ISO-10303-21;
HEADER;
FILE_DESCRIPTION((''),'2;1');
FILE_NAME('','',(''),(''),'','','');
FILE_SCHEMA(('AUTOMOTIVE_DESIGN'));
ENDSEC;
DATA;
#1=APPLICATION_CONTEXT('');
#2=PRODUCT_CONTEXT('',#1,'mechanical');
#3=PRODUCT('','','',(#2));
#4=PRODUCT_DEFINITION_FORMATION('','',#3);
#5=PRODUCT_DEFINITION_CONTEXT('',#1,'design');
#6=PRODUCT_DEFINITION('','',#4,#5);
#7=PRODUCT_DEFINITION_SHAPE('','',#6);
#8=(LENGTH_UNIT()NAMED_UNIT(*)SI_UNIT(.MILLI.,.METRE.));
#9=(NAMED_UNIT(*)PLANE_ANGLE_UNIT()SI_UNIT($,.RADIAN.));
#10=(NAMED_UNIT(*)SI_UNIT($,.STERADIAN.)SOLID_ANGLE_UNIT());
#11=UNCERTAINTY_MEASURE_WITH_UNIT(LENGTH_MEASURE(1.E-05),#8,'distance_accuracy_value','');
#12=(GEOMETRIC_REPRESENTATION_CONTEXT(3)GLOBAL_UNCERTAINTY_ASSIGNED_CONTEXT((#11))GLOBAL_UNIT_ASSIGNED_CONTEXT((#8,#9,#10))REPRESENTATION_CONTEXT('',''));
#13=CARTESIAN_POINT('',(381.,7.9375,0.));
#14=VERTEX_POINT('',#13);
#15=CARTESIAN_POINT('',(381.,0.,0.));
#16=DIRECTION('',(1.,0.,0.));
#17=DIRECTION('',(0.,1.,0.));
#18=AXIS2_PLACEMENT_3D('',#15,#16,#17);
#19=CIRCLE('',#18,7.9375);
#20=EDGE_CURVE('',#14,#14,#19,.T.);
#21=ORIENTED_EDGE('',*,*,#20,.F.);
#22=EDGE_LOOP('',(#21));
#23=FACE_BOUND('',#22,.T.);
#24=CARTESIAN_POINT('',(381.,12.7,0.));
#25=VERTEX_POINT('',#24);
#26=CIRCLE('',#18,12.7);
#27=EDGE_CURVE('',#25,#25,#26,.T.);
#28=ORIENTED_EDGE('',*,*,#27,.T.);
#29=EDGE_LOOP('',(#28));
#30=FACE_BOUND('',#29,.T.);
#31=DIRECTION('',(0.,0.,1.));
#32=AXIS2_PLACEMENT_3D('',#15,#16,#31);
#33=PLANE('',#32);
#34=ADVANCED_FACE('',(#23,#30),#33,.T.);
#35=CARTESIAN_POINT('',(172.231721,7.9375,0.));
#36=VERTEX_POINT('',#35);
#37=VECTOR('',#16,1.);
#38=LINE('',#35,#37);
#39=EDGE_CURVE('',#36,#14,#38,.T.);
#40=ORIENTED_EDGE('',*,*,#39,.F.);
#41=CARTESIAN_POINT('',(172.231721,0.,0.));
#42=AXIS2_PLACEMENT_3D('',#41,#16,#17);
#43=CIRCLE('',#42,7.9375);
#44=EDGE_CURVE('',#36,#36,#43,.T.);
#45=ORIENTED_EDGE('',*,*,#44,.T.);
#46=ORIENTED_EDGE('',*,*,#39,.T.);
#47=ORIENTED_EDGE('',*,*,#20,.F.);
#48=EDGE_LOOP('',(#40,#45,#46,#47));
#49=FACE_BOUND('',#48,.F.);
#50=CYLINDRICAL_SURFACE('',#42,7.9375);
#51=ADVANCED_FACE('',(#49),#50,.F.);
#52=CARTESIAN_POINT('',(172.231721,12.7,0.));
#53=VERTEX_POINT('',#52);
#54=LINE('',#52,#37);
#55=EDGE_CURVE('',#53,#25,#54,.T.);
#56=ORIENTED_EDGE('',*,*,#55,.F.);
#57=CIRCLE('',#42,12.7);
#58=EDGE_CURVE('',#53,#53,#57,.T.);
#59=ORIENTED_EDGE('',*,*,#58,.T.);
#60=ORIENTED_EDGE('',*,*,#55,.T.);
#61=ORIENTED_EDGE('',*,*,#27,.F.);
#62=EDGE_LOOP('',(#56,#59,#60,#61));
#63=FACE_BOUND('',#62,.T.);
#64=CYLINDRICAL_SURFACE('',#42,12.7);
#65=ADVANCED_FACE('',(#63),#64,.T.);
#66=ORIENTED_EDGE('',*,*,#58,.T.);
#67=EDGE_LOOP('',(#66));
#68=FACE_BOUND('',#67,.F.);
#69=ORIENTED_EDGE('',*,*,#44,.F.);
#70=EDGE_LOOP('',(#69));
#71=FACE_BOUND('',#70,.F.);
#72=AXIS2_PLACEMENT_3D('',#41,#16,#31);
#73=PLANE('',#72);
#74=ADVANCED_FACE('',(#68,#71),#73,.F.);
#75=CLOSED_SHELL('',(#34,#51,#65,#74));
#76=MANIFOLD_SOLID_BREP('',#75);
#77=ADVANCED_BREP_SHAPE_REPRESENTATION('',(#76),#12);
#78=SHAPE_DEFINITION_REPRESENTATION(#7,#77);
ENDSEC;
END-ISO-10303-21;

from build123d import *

# Parameters (mm, degrees)
F2_R   = 12.7
F2_R_2 = 7.9375


with BuildPart() as f3:
    # F3: sweep along a path in F0
    with BuildLine(Plane.XZ) as f3_path:
        Line((172.2317207227, 0), (381, 0))
    # F2 (on offset) → F3 (sweep)
    with BuildSketch(Plane.YZ.offset(381)):
        Circle(F2_R)
        Circle(F2_R_2, mode=Mode.SUBTRACT)
    sweep(path=f3_path.line)


solid = f3.part
